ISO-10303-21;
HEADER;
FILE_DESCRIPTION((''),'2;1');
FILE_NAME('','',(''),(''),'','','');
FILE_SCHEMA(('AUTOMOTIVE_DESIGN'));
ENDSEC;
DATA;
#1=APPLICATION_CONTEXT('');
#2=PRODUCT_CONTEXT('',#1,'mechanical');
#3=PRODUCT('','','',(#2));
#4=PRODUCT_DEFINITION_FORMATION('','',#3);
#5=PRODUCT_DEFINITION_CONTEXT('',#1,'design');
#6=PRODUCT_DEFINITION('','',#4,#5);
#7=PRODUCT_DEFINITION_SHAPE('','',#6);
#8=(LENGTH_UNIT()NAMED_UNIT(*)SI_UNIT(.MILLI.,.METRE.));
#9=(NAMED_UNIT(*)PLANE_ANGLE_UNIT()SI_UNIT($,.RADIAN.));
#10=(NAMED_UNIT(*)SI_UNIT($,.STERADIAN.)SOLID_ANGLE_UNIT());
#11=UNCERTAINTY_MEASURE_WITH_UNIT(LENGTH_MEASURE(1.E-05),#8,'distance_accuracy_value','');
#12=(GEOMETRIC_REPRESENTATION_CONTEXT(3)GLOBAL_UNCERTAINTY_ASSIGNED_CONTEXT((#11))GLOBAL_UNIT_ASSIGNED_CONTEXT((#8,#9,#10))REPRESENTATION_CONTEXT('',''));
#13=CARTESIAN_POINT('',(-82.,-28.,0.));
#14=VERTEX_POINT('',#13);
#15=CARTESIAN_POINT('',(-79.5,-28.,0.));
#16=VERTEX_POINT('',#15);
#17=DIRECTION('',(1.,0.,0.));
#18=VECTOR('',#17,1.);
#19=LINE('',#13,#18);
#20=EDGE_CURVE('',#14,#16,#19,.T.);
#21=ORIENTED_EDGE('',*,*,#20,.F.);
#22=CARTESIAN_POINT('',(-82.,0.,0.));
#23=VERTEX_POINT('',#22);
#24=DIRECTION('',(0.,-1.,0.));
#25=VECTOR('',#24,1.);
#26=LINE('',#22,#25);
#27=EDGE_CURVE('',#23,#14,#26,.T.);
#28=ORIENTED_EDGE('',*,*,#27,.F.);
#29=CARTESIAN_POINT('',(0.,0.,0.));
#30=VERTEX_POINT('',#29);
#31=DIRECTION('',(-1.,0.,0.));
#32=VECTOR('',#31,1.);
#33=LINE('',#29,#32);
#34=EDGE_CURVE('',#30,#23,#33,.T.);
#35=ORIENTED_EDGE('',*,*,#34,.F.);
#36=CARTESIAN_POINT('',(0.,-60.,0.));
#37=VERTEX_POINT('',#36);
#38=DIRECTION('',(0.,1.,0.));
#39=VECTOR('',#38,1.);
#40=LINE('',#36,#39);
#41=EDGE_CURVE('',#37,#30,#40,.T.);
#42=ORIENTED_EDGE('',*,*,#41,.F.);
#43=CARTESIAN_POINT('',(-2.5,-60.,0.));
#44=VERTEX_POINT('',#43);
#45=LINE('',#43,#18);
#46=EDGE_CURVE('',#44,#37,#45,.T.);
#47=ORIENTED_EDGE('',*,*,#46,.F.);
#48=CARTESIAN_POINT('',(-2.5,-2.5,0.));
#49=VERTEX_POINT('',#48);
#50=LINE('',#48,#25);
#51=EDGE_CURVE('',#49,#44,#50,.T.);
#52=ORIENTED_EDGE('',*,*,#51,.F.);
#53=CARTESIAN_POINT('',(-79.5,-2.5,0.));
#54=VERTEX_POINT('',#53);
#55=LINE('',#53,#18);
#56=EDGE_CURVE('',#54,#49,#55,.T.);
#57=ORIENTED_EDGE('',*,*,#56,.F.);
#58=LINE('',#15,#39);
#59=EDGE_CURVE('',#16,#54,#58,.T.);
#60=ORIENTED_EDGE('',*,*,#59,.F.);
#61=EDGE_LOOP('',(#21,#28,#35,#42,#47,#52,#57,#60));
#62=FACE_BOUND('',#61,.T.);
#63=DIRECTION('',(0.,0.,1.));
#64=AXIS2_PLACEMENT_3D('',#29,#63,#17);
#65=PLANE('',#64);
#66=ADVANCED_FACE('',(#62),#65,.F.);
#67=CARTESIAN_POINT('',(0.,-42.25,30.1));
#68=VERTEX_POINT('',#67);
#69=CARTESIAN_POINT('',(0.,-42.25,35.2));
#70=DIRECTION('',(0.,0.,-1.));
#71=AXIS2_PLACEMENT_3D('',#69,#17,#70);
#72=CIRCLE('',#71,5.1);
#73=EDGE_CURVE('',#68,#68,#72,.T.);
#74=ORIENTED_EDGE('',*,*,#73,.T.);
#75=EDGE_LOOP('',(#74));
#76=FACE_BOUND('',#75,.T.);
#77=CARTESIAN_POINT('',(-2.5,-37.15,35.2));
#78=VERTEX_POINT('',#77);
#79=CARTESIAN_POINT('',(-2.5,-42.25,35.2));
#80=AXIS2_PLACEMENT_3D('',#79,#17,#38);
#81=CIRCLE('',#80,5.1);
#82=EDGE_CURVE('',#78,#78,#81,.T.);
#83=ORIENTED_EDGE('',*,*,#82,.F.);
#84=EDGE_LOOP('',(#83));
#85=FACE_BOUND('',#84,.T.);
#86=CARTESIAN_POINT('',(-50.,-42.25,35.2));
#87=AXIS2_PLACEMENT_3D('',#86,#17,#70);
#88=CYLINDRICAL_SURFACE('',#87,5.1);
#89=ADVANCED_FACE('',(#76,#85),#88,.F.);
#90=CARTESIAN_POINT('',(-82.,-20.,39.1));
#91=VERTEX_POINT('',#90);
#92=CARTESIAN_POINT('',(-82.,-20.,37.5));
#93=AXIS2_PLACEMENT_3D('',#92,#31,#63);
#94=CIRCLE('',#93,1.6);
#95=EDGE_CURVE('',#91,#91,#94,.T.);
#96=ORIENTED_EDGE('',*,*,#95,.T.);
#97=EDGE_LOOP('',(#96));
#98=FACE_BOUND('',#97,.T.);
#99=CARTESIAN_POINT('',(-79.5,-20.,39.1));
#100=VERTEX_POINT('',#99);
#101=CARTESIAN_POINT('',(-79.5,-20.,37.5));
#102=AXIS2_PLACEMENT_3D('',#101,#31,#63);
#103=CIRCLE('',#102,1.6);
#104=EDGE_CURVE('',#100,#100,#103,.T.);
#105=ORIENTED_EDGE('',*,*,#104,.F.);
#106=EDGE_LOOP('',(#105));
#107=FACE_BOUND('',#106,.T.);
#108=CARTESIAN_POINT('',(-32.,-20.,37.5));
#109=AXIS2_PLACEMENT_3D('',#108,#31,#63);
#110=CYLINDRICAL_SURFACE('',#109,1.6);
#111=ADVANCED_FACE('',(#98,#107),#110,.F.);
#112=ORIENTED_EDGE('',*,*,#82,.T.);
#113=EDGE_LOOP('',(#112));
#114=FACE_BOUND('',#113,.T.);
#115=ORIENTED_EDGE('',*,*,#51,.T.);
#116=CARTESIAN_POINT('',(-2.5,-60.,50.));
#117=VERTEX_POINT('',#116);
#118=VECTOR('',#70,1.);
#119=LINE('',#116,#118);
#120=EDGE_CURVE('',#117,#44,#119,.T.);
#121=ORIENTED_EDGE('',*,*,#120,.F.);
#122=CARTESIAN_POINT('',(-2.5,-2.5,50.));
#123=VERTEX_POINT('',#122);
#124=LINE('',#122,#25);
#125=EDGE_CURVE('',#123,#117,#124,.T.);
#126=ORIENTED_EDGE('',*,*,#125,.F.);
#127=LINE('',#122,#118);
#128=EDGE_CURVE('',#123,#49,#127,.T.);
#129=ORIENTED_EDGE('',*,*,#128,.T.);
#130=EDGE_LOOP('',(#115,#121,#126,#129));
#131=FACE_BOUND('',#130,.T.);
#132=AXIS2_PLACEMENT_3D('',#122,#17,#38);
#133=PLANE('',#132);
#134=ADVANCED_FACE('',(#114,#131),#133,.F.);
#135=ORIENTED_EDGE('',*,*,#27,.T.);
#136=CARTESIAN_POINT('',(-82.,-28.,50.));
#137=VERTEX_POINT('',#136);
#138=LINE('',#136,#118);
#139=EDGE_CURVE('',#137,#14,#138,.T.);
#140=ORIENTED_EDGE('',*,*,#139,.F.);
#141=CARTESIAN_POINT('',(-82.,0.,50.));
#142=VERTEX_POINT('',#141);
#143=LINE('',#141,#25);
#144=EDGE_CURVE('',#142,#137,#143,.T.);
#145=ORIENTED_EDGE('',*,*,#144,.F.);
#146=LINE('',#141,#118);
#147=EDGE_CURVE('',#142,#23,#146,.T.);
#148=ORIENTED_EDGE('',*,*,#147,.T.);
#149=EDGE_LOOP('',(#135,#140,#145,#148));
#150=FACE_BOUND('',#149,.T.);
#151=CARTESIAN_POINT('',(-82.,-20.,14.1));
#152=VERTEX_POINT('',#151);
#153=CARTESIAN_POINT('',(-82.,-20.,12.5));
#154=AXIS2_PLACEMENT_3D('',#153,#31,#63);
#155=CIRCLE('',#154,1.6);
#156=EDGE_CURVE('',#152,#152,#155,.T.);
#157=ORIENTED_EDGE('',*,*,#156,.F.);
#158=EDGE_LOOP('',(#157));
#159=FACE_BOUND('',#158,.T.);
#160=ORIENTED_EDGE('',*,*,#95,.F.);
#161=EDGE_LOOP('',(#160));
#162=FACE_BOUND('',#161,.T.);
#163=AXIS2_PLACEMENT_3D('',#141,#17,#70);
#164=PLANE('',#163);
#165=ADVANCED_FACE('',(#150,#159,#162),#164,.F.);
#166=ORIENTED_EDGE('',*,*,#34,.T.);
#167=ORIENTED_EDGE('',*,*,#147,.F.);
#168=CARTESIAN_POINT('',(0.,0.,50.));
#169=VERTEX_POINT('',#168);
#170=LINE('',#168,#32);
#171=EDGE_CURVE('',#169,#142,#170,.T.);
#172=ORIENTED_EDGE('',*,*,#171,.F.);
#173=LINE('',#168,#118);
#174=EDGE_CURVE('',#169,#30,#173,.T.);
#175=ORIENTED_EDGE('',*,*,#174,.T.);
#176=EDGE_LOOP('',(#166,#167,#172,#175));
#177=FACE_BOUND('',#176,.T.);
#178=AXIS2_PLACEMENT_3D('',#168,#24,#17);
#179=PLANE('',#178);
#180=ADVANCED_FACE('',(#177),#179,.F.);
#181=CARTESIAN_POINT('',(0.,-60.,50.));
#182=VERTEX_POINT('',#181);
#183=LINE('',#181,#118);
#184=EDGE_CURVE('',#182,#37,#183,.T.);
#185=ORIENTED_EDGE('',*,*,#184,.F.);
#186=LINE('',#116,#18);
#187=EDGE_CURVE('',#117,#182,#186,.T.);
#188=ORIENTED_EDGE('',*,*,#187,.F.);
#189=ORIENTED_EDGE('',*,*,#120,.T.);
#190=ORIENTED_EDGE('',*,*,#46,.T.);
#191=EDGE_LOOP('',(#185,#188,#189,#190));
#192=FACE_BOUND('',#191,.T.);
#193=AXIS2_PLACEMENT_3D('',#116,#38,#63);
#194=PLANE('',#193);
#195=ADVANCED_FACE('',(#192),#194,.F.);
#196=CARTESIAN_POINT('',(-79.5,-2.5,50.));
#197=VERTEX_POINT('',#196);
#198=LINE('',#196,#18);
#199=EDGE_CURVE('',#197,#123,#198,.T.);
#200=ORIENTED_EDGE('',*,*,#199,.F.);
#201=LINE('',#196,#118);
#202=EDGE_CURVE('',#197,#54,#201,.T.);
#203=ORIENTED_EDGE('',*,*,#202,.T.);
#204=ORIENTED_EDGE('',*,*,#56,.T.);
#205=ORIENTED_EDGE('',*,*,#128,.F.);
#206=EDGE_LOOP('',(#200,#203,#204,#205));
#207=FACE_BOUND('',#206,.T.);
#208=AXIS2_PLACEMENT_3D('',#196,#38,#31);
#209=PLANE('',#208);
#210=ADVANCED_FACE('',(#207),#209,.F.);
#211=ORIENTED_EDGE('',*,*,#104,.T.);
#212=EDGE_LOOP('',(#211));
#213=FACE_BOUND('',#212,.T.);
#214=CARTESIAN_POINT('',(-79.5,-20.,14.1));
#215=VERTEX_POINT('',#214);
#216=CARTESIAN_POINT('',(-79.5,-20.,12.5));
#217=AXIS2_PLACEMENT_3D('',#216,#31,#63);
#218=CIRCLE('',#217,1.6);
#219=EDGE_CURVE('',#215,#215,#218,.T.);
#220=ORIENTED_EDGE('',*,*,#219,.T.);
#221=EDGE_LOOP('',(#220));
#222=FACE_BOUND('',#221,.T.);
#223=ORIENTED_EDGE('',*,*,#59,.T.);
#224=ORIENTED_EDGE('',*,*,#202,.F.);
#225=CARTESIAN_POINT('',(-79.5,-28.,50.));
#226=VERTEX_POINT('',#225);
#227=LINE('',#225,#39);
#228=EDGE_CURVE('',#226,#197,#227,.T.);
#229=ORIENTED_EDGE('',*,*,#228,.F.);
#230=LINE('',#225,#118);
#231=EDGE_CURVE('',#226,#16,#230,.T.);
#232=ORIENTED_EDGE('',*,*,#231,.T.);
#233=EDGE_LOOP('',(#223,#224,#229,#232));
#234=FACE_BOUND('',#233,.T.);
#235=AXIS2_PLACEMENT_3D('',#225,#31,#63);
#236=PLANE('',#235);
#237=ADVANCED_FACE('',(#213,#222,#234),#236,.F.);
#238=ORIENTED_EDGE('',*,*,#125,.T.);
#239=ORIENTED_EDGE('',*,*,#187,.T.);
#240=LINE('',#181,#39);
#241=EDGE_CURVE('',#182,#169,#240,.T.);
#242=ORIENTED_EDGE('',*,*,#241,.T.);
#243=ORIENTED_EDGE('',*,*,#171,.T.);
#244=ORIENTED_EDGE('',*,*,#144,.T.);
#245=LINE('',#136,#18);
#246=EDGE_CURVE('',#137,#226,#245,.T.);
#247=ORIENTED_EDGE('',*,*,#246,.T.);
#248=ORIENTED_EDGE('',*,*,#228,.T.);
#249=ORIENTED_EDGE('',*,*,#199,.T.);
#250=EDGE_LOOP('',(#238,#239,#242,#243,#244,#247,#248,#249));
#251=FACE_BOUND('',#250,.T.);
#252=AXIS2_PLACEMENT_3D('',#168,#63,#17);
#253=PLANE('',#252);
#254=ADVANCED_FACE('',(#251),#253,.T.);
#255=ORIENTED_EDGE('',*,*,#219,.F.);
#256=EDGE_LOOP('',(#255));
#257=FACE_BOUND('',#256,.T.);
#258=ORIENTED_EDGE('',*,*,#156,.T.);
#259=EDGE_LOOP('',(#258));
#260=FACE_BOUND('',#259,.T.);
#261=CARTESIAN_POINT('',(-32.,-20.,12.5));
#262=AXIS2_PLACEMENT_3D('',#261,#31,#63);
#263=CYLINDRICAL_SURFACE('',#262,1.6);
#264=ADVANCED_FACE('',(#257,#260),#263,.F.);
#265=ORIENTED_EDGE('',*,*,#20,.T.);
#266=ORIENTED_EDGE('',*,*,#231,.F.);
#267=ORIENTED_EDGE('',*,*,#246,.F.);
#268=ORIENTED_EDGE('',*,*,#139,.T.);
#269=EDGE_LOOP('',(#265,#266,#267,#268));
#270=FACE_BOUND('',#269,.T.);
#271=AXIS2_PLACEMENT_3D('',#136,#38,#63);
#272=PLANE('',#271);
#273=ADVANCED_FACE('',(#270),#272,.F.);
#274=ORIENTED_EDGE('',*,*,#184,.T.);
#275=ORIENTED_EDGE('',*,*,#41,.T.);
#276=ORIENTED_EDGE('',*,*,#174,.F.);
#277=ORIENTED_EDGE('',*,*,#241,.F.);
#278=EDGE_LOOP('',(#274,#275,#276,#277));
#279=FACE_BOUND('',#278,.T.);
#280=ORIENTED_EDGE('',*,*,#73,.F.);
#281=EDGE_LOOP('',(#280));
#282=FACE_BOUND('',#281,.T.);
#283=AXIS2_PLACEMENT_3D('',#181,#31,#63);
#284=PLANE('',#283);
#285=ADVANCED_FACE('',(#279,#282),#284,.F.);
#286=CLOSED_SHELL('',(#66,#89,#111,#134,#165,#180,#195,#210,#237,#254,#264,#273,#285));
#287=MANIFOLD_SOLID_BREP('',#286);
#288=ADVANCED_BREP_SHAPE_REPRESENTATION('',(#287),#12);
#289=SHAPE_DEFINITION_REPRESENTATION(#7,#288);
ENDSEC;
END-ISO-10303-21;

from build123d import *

# Parameters (mm, degrees)
BOSS_EXTRUDE1_DEPTH = 50
SKETCH3_R           = 1.6
CUT_EXTRUDE1_DEPTH  = 50
SKETCH4_R           = 5.1
CUT_EXTRUDE2_DEPTH  = 50


with BuildPart() as part:
    # Sketch2 → Boss-Extrude1 (new body)
    with BuildSketch(Plane.XY):
        Polygon((0, 0), (-82, 0), (-82, -28), (-79.5, -28), (-79.5, -2.5), (-2.5, -2.5), (-2.5, -60), (0, -60), align=None)
    extrude(amount=BOSS_EXTRUDE1_DEPTH)

    # Sketch3 → Cut-Extrude1 (cut)
    with BuildSketch(Plane.ZY.offset(82)):
        with Locations((12.5, -20)):
            Circle(SKETCH3_R)
        with Locations((37.5, -20)):
            Circle(SKETCH3_R)
    extrude(amount=-CUT_EXTRUDE1_DEPTH, mode=Mode.SUBTRACT)

    # Sketch4 → Cut-Extrude2 (cut)
    with BuildSketch(Plane(origin=(0, 0, 0), x_dir=(0, 0, -1), z_dir=(1, 0, 0))):
        with Locations((-35.2, -42.25)):
            Circle(SKETCH4_R)
    extrude(amount=-CUT_EXTRUDE2_DEPTH, mode=Mode.SUBTRACT)


solid = part.part
